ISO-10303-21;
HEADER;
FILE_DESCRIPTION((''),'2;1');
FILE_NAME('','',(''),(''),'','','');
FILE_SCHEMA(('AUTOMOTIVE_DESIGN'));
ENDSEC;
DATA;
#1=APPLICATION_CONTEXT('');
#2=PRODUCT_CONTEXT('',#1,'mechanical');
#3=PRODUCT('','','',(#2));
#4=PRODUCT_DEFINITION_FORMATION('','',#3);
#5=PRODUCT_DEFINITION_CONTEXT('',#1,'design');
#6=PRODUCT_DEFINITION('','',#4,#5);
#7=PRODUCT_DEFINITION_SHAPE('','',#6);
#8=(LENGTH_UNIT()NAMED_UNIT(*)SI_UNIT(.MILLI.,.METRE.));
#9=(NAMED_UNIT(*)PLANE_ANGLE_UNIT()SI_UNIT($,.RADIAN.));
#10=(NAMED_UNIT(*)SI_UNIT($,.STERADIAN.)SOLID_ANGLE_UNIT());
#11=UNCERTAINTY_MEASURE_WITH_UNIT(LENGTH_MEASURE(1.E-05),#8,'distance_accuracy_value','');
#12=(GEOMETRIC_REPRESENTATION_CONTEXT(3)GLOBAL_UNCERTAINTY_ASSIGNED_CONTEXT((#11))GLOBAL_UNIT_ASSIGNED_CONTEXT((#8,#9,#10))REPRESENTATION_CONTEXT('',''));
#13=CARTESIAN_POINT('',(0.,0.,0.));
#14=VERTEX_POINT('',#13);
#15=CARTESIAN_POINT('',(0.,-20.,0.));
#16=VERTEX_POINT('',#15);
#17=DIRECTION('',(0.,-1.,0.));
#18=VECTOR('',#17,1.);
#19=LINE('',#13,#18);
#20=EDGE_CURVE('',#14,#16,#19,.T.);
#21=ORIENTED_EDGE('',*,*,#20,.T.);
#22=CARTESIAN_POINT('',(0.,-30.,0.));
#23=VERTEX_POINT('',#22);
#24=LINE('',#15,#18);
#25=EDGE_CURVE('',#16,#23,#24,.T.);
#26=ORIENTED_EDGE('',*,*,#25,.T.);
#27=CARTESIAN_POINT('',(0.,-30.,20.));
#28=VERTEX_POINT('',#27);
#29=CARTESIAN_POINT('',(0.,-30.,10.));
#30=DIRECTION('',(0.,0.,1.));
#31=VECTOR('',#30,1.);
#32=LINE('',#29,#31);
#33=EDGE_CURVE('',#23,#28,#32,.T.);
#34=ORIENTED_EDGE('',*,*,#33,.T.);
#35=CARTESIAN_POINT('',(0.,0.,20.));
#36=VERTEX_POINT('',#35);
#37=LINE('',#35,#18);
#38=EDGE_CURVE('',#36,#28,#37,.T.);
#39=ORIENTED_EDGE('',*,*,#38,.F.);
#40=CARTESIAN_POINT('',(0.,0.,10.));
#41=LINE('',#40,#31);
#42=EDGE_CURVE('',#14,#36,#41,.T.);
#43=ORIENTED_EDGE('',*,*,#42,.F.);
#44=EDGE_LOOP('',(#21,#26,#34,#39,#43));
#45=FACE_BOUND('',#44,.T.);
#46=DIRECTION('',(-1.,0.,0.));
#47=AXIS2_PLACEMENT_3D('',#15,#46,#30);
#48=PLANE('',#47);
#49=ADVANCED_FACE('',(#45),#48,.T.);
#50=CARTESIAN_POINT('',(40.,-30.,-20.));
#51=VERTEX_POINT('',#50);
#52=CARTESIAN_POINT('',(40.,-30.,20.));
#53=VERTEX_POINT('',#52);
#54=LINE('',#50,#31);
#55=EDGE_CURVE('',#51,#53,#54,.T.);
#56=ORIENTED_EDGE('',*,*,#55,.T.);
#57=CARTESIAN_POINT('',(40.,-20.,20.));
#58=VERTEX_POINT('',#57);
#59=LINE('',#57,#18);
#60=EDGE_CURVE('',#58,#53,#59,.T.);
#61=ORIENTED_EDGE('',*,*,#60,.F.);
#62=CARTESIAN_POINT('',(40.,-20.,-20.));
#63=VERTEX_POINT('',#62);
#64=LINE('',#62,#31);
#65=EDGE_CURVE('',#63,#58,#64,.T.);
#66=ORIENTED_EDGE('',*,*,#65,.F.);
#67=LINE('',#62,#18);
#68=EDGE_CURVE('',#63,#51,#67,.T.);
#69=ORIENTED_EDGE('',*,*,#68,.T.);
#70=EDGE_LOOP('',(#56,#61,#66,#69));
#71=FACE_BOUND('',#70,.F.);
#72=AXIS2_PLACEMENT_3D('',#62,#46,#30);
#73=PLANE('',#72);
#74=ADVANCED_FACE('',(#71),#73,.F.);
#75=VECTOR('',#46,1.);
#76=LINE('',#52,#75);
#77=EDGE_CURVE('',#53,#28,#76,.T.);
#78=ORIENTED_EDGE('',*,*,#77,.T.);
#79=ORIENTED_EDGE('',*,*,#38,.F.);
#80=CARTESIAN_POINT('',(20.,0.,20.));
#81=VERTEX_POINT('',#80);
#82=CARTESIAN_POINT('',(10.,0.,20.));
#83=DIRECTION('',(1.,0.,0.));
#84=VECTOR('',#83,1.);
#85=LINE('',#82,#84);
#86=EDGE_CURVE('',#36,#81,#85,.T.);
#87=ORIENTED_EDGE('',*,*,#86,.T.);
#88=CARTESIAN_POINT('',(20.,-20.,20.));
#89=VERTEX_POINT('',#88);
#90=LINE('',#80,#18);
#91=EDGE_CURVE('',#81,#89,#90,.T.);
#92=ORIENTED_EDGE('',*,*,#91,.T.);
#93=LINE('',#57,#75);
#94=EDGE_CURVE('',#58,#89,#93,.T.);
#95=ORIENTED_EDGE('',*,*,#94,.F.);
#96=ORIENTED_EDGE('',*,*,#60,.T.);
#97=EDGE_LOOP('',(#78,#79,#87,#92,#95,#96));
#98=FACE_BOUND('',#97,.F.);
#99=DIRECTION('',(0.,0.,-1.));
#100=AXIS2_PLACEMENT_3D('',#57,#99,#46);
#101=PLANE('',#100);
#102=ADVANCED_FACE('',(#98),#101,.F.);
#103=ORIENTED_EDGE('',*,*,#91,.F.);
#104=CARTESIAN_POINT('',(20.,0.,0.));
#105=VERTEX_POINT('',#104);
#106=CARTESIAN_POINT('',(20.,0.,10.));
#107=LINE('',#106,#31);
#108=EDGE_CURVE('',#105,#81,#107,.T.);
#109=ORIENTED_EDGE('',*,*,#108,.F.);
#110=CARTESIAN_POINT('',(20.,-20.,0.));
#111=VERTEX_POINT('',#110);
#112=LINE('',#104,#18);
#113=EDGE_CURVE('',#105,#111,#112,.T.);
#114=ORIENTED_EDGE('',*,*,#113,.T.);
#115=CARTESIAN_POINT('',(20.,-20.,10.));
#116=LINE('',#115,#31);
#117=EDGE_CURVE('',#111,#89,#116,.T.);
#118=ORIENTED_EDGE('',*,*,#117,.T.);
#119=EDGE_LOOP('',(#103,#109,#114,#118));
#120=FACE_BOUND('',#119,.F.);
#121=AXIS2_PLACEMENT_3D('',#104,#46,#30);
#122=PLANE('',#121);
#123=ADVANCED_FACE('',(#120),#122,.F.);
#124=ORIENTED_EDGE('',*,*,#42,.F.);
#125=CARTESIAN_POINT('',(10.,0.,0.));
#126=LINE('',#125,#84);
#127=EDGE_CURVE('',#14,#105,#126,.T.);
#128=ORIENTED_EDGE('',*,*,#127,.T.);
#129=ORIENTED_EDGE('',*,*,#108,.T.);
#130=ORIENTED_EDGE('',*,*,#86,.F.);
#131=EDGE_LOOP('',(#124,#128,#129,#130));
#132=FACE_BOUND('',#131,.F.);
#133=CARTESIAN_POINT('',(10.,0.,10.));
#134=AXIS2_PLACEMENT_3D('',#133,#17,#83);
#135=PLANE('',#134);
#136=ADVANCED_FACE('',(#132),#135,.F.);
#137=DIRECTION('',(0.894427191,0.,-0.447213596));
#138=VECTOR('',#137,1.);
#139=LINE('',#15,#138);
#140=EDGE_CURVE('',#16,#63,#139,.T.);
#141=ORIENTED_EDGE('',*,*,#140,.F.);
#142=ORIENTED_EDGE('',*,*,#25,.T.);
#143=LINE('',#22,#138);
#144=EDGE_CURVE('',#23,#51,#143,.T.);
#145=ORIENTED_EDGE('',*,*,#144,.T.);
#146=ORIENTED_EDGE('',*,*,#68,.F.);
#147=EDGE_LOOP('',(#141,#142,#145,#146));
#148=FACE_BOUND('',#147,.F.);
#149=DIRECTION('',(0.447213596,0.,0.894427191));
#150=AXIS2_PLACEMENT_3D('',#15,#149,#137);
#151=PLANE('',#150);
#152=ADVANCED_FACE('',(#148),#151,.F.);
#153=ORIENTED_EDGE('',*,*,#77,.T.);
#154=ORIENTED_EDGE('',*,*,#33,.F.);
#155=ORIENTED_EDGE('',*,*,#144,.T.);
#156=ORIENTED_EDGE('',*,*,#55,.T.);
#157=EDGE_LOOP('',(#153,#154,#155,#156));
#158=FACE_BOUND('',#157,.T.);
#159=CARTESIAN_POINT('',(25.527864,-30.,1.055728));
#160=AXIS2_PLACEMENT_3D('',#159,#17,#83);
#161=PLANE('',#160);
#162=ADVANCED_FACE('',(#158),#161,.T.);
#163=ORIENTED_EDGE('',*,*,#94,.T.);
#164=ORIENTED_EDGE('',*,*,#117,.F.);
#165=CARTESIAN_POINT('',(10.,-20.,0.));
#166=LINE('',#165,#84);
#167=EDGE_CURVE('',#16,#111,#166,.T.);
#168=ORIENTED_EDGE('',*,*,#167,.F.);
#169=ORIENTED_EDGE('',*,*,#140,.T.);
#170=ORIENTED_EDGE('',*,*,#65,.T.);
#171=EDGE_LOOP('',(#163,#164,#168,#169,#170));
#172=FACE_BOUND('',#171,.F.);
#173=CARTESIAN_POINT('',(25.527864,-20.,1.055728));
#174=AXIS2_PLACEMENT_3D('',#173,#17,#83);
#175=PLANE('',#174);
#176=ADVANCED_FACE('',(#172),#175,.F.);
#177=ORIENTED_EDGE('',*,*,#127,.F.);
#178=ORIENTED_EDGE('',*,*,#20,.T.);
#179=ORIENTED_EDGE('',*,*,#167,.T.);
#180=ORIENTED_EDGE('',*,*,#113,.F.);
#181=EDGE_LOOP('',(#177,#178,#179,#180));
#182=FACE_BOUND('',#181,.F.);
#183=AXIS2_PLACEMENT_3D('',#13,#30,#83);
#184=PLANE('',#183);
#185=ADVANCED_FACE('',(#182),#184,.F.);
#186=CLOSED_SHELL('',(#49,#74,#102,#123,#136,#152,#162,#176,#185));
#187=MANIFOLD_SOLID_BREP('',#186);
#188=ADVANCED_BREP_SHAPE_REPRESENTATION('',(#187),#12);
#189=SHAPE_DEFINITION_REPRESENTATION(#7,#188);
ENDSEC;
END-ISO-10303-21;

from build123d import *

# Parameters (mm, degrees)
F0_W     = 20
F0_H     = 20
F1_DEPTH = 20
F2_W     = 20
F2_H     = 20
F3_DEPTH = 10


with BuildPart() as f1:
    # F0 (on Front) → F1 (new body)
    with BuildSketch(Plane.XZ):
        with Locations((10, 10)):
            Rectangle(F0_W, F0_H)
    extrude(amount=F1_DEPTH)

    # F2 (on face) → F3 (join)
    with BuildSketch(Plane.XZ.offset(20)):
        Polygon((40, 20), (20, 20), (20, 0), (0, 0), (40, -20), align=None)
        with Locations((10, 10)):
            Rectangle(F2_W, F2_H)
    extrude(amount=F3_DEPTH)


solid = f1.part
